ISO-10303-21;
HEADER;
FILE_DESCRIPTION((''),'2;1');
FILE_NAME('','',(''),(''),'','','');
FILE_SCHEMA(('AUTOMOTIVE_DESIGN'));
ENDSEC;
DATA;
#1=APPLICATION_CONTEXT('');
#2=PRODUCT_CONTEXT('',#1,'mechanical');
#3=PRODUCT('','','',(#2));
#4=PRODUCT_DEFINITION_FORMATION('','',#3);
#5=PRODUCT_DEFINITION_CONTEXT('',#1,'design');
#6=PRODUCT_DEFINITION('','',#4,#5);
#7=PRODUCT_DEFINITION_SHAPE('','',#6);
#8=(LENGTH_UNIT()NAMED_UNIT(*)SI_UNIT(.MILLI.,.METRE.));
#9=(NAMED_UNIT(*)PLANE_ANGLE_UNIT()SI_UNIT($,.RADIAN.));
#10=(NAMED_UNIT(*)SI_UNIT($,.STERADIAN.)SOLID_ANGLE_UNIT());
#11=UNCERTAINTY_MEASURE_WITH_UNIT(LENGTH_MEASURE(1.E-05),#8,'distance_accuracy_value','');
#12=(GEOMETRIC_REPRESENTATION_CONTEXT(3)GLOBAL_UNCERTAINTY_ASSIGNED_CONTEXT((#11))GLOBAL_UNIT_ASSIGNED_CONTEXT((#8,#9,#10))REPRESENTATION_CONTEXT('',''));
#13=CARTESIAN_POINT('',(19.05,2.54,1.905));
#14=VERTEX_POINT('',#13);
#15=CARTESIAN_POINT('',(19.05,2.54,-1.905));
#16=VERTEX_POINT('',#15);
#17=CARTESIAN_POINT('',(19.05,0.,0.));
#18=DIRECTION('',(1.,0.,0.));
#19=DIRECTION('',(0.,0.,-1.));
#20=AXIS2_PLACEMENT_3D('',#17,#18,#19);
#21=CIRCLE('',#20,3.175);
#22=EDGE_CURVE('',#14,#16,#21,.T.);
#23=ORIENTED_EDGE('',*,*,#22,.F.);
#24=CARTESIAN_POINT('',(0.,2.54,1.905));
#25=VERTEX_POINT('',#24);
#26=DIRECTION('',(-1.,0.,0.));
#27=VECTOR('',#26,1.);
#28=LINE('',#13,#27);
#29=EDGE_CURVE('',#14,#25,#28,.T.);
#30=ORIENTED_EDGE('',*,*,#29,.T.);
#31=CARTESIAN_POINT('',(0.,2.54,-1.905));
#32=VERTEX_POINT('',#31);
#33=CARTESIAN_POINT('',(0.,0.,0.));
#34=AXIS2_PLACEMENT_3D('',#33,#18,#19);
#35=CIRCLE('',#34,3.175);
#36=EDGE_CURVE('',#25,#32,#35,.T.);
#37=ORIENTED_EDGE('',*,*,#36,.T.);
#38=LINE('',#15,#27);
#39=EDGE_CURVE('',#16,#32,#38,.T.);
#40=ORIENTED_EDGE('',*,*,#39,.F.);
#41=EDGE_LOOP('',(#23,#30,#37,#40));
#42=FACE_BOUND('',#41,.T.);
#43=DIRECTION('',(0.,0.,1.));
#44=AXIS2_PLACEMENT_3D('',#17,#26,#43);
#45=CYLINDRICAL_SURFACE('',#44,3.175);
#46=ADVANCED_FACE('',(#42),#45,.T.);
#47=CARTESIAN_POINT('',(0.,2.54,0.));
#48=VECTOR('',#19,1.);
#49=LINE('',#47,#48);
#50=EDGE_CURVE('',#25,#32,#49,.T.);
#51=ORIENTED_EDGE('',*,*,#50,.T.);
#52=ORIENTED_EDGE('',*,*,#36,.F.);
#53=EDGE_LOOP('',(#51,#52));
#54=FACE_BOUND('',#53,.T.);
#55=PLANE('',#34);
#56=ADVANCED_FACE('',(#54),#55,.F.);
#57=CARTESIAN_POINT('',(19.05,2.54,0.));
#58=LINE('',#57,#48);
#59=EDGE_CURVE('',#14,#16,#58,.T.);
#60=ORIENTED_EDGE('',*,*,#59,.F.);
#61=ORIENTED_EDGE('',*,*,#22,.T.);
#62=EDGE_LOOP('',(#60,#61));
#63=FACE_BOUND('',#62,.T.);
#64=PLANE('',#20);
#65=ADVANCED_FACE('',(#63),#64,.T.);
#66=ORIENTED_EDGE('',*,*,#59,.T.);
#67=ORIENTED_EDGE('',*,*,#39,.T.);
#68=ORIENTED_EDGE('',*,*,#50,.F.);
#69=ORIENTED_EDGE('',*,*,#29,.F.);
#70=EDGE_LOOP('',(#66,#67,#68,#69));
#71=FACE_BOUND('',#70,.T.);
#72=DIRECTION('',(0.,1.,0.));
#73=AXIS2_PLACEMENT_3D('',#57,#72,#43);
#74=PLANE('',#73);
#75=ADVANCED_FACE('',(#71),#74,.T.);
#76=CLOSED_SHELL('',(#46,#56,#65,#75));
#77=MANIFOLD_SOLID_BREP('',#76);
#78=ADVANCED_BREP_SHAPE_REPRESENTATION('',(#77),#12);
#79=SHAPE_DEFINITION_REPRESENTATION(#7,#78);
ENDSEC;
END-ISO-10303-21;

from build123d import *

# Parameters (mm, degrees)
BOSS_EXTRUDE1_DEPTH = 19.05


with BuildPart() as part:
    # Sketch1 → Boss-Extrude1 (new body)
    with BuildSketch(Plane(origin=(0, 0, 0), x_dir=(0, 0, -1), z_dir=(1, 0, 0))):
        with BuildLine():
            Line((1.905, 2.54), (-1.905, 2.54))
            ThreePointArc((-1.905, 2.54), (-1.419903166, -2.839806331), (3.175, 0))
            ThreePointArc((3.175, 0), (2.839806331, 1.419903166), (1.905, 2.54))
        make_face()
    extrude(amount=BOSS_EXTRUDE1_DEPTH)


solid = part.part
